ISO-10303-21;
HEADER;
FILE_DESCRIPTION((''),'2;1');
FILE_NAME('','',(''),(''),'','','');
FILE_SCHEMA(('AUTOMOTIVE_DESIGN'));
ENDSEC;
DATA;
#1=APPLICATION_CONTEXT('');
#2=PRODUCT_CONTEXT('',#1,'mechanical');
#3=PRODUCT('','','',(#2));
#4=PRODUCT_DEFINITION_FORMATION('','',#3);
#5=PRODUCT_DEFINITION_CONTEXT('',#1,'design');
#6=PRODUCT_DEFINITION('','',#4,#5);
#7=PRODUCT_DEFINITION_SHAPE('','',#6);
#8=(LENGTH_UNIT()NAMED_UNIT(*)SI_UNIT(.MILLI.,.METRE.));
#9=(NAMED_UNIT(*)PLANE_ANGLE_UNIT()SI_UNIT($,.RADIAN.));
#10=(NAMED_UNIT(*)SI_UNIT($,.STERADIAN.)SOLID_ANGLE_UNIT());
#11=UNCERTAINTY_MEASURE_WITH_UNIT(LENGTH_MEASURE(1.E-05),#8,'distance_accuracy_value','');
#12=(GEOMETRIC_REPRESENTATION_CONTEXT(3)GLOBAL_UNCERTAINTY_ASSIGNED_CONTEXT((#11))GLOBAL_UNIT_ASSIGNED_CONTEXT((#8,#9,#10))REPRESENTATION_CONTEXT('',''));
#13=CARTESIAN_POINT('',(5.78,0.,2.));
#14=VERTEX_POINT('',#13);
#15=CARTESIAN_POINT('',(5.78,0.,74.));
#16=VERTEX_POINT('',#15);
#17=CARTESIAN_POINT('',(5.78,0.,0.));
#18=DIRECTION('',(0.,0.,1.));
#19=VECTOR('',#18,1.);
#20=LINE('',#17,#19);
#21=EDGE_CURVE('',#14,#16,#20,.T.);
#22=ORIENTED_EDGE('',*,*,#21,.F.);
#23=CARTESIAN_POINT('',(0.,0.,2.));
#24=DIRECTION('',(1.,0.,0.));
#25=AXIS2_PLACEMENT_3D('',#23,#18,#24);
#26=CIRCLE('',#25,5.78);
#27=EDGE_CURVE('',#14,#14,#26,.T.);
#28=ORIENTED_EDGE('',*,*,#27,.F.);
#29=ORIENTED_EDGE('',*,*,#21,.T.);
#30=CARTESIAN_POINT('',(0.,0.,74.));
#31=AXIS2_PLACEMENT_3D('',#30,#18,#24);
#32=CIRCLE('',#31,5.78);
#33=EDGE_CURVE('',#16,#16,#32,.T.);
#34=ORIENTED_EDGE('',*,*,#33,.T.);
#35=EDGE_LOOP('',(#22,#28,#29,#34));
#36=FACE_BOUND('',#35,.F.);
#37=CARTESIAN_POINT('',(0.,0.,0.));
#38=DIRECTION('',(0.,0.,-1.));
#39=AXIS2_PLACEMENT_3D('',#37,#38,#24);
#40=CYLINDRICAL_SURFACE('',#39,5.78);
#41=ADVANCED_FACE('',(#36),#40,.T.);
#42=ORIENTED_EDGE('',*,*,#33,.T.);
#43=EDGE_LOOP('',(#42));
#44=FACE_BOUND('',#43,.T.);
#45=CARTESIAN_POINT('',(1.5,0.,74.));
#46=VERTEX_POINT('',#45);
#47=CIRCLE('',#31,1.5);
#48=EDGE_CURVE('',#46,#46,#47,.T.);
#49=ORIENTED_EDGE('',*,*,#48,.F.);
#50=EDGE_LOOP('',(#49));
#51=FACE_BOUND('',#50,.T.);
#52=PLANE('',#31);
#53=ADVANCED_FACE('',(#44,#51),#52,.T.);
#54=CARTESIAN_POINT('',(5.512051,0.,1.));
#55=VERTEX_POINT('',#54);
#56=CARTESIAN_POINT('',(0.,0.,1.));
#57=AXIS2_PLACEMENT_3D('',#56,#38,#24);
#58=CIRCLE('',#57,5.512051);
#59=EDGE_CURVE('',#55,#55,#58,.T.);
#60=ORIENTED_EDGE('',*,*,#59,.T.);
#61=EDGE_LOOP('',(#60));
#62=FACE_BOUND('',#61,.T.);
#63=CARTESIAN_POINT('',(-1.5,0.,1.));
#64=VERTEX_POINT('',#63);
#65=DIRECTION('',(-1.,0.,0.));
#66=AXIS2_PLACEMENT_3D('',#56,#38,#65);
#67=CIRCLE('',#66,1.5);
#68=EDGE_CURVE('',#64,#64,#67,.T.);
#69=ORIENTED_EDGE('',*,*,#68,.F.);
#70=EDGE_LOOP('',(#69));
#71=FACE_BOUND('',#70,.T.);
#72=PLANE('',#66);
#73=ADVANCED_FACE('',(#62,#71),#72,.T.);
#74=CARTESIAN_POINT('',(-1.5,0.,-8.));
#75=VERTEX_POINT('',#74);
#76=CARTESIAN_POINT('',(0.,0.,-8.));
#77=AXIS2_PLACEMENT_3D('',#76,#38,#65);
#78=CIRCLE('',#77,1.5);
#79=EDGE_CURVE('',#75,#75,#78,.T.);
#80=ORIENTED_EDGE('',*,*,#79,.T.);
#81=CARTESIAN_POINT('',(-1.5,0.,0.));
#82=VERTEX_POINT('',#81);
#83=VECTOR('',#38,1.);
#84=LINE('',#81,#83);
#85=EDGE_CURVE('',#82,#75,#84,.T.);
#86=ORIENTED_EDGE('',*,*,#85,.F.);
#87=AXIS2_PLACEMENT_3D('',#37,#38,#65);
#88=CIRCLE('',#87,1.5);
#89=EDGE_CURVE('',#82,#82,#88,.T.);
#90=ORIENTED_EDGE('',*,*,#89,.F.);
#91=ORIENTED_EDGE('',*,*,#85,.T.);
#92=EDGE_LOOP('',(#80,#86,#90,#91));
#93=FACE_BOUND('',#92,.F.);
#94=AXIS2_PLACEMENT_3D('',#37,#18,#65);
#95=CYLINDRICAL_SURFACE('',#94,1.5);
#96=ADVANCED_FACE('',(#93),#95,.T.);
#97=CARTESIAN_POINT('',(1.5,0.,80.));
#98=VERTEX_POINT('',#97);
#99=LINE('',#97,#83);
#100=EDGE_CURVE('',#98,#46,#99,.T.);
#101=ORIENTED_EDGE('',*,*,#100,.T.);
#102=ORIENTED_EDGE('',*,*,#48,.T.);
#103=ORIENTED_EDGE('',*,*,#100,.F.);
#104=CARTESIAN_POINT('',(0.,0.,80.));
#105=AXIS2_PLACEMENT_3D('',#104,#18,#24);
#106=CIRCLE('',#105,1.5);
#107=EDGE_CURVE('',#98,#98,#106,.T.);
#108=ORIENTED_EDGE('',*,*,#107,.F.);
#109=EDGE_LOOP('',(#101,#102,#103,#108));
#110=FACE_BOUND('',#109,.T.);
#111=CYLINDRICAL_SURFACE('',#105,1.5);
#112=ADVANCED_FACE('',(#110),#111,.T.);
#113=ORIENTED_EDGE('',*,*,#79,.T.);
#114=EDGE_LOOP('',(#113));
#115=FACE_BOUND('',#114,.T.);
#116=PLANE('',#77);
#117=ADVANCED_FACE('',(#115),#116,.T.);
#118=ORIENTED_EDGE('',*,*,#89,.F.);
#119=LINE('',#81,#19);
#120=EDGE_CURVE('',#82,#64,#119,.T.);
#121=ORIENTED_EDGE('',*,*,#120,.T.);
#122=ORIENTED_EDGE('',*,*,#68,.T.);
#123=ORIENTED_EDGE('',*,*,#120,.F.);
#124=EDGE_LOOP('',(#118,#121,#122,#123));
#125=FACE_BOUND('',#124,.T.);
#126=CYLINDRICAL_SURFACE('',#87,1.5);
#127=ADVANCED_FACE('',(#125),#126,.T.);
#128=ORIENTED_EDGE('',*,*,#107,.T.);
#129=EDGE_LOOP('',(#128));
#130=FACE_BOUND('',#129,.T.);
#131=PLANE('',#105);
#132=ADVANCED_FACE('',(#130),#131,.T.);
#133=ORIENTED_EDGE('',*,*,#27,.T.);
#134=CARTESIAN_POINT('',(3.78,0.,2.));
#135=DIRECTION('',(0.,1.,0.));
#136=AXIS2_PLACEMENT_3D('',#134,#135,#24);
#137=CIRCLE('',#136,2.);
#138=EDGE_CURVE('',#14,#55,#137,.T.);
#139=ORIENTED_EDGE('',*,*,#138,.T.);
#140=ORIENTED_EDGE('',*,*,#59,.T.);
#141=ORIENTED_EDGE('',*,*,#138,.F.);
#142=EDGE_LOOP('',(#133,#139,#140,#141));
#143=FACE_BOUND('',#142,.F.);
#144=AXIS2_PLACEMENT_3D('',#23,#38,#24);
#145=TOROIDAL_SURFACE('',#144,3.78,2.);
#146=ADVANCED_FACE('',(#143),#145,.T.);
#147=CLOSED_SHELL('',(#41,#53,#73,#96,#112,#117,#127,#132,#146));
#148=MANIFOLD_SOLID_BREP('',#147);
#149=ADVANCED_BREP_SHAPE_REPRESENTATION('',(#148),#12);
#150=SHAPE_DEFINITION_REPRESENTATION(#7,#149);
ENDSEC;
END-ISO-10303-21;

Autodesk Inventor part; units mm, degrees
ref_plane "YZ Plane" through (0, 0, 0) normal (1, 0, 0) x (0, 1, 0)
ref_plane "XZ Plane" through (0, 0, 0) normal (0, 1, 0) x (-1, 0, 0)
ref_plane "XY Plane" through (0, 0, 0) normal (0, 0, 1) x (1, 0, 0)
sketch "Sketch1" plane through (0, 0, 0) normal (0, 0, 1) x (1, 0, 0)
  circle A0 centre (0, 0) radius 5.78
  dimension "d0" = 11.56
extrude "Extrusion1" add sketch "Sketch1" along normal blind 80
fillet "Fillet1" radius 2 2 edges at (-5.78, 0, 80) (-5.78, 0, 0)
sketch "Sketch2" plane through (0, 0, 80) normal (0, 0, 1) x (1, 0, 0)
  circle A0 centre (0, 0) radius 1.5
  circle A1 centre (0, 0) radius 5.78
  dimension "d4" = 3
  dimension "d5" = 11.56
extrude "Extrusion2" cut sketch "Sketch2" against normal blind 6
sketch "Sketch3" plane through (0, 0, 0) normal (0, 0, -1) x (-1, 0, 0)
  circle A0 centre (0, 0) radius 1.5 projected
  circle A1 centre (0, 0) radius 1.5
  circle A2 centre (0, 0) radius 5.78
extrude "Extrusion3" cut sketch "Sketch3" against normal blind 1
sketch "Sketch4" plane through (0, 0, 0) normal (0, 0, -1) x (-1, 0, 0)
  circle A0 centre (0, 0) radius 1.5
extrude "Extrusion4" add sketch "Sketch4" along normal blind 8
properties part number "cylinder"
